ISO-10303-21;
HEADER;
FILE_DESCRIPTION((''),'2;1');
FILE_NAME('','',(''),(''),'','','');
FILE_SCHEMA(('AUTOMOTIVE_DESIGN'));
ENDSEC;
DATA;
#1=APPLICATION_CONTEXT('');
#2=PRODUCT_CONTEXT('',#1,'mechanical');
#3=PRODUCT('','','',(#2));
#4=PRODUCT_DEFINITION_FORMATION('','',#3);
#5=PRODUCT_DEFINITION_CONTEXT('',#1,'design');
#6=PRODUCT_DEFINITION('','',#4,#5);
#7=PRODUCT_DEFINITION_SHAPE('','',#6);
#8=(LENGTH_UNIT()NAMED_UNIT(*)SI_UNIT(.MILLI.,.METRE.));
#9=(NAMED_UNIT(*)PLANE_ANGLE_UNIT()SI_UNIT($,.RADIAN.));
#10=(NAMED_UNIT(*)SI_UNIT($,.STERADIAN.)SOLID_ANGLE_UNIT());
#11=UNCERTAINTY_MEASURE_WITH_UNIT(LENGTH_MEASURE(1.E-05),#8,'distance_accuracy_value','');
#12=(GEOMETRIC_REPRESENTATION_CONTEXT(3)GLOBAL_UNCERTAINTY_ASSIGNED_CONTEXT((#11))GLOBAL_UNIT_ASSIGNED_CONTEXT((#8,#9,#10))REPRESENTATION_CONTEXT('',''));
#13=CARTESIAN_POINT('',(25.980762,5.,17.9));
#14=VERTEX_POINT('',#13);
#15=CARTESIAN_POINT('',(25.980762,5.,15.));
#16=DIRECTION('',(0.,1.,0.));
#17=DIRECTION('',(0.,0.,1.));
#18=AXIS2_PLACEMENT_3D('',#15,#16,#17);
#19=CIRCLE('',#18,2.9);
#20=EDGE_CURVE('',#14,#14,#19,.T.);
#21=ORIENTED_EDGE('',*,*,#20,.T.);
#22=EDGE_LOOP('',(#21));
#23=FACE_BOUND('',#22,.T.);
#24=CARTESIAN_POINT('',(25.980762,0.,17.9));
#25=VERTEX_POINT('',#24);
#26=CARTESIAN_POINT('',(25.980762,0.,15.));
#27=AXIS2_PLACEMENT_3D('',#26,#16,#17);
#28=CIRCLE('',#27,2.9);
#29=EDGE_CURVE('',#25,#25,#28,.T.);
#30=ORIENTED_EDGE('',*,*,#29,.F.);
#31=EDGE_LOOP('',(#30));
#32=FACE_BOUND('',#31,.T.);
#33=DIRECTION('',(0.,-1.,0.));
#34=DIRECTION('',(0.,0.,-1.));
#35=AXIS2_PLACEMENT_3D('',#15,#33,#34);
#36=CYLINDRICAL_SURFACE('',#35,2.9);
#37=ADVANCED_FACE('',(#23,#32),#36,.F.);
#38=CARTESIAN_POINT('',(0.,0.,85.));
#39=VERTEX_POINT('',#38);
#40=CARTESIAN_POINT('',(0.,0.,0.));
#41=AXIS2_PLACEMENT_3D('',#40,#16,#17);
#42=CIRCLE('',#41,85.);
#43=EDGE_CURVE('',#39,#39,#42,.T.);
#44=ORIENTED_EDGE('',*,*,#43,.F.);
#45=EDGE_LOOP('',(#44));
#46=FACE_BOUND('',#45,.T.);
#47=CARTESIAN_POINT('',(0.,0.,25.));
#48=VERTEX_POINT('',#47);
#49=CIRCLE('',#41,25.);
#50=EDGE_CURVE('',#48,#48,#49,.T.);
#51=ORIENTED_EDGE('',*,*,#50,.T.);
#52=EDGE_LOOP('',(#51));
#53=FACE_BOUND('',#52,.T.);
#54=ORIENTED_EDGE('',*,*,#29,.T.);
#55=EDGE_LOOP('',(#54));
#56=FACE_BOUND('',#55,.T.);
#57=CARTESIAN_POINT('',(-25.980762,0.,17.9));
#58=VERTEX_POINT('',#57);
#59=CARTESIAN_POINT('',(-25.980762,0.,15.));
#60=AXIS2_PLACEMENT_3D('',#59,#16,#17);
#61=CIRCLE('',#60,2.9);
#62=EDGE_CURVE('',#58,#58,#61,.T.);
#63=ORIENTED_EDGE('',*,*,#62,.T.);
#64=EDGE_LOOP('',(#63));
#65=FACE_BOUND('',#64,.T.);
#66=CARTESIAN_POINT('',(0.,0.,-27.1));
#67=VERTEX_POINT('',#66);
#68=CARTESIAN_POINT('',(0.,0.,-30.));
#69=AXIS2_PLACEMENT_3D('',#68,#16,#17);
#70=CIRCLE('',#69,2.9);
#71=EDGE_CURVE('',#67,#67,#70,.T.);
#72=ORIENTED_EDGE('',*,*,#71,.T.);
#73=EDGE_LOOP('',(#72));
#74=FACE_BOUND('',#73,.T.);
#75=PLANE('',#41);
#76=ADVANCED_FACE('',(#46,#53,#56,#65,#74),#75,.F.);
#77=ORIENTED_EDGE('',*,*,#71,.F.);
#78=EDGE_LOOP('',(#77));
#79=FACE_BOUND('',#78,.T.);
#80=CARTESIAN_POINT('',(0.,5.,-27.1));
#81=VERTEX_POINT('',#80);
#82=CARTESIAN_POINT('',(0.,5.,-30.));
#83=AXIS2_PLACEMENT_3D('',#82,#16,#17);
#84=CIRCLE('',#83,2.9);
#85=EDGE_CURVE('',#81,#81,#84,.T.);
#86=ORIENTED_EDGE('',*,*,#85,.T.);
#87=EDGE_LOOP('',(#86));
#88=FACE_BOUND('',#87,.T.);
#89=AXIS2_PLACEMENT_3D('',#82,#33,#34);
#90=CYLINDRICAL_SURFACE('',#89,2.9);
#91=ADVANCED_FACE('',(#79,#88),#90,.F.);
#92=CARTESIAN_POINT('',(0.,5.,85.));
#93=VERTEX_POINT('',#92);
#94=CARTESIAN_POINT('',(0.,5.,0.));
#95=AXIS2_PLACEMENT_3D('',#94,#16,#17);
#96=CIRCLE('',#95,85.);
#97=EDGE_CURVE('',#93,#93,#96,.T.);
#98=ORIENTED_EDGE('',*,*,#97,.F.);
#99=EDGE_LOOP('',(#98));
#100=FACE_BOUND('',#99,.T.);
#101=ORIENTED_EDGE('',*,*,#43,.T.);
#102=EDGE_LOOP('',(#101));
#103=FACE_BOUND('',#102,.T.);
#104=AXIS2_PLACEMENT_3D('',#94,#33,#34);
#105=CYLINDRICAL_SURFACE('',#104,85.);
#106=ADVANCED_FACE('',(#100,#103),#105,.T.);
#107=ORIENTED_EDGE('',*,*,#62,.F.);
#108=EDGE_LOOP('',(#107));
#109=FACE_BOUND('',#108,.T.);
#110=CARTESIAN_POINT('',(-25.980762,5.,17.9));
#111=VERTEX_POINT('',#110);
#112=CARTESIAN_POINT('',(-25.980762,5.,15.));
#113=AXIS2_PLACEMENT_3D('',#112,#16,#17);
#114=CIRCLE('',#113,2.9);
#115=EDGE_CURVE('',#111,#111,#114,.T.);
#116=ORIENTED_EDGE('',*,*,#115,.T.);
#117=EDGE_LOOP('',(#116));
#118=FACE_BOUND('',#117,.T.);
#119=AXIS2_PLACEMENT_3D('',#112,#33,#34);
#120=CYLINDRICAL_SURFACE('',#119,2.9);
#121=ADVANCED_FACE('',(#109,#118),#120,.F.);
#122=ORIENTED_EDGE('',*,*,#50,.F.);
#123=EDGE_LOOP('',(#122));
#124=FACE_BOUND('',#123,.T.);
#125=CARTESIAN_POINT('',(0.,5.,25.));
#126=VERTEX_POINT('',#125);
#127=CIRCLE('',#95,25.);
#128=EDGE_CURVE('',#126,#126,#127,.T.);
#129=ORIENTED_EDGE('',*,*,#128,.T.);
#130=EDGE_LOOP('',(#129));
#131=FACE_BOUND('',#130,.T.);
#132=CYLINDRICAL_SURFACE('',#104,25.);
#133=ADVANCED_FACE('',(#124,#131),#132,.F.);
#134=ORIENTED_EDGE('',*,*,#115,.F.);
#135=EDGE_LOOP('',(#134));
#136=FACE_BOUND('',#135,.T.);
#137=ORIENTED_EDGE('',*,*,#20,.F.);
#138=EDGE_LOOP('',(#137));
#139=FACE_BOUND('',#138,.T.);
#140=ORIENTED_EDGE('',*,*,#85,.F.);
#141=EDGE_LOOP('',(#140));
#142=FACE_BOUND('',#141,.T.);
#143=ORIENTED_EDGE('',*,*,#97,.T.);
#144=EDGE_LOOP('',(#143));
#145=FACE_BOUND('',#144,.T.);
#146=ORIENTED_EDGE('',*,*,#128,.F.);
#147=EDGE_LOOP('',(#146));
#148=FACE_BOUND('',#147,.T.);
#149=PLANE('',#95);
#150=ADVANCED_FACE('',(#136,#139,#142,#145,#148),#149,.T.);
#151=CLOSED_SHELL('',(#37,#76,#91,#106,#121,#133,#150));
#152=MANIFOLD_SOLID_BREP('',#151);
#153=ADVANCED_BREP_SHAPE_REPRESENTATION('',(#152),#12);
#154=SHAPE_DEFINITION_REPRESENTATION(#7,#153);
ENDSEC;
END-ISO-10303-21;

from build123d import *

# Parameters (mm, degrees)
ESBO_O1_R                = 85
ESBO_O1_R_2              = 2.9
ESBO_O1_R_3              = 25
RESSALTO_EXTRUS_O1_DEPTH = 5


with BuildPart() as part:
    # Esboço1 → Ressalto-extrusão1 (new body)
    with BuildSketch(Plane(origin=(0, 0, 0), x_dir=(1, 0, 0), z_dir=(0, 1, 0))):
        with Locations(Location((0, 0, 0), (0, 0, 270))):
            Circle(ESBO_O1_R)
        with Locations(Location((0, 30, 0), (0, 0, 270))):
            Circle(ESBO_O1_R_2, mode=Mode.SUBTRACT)
        with Locations(Location((25.980762114, -15, 0), (0, 0, 270))):
            Circle(ESBO_O1_R_2, mode=Mode.SUBTRACT)
        with Locations(Location((-25.980762114, -15, 0), (0, 0, 270))):
            Circle(ESBO_O1_R_2, mode=Mode.SUBTRACT)
        with Locations(Location((0, 0, 0), (0, 0, 270))):
            Circle(ESBO_O1_R_3, mode=Mode.SUBTRACT)
    extrude(amount=RESSALTO_EXTRUS_O1_DEPTH)


solid = part.part
